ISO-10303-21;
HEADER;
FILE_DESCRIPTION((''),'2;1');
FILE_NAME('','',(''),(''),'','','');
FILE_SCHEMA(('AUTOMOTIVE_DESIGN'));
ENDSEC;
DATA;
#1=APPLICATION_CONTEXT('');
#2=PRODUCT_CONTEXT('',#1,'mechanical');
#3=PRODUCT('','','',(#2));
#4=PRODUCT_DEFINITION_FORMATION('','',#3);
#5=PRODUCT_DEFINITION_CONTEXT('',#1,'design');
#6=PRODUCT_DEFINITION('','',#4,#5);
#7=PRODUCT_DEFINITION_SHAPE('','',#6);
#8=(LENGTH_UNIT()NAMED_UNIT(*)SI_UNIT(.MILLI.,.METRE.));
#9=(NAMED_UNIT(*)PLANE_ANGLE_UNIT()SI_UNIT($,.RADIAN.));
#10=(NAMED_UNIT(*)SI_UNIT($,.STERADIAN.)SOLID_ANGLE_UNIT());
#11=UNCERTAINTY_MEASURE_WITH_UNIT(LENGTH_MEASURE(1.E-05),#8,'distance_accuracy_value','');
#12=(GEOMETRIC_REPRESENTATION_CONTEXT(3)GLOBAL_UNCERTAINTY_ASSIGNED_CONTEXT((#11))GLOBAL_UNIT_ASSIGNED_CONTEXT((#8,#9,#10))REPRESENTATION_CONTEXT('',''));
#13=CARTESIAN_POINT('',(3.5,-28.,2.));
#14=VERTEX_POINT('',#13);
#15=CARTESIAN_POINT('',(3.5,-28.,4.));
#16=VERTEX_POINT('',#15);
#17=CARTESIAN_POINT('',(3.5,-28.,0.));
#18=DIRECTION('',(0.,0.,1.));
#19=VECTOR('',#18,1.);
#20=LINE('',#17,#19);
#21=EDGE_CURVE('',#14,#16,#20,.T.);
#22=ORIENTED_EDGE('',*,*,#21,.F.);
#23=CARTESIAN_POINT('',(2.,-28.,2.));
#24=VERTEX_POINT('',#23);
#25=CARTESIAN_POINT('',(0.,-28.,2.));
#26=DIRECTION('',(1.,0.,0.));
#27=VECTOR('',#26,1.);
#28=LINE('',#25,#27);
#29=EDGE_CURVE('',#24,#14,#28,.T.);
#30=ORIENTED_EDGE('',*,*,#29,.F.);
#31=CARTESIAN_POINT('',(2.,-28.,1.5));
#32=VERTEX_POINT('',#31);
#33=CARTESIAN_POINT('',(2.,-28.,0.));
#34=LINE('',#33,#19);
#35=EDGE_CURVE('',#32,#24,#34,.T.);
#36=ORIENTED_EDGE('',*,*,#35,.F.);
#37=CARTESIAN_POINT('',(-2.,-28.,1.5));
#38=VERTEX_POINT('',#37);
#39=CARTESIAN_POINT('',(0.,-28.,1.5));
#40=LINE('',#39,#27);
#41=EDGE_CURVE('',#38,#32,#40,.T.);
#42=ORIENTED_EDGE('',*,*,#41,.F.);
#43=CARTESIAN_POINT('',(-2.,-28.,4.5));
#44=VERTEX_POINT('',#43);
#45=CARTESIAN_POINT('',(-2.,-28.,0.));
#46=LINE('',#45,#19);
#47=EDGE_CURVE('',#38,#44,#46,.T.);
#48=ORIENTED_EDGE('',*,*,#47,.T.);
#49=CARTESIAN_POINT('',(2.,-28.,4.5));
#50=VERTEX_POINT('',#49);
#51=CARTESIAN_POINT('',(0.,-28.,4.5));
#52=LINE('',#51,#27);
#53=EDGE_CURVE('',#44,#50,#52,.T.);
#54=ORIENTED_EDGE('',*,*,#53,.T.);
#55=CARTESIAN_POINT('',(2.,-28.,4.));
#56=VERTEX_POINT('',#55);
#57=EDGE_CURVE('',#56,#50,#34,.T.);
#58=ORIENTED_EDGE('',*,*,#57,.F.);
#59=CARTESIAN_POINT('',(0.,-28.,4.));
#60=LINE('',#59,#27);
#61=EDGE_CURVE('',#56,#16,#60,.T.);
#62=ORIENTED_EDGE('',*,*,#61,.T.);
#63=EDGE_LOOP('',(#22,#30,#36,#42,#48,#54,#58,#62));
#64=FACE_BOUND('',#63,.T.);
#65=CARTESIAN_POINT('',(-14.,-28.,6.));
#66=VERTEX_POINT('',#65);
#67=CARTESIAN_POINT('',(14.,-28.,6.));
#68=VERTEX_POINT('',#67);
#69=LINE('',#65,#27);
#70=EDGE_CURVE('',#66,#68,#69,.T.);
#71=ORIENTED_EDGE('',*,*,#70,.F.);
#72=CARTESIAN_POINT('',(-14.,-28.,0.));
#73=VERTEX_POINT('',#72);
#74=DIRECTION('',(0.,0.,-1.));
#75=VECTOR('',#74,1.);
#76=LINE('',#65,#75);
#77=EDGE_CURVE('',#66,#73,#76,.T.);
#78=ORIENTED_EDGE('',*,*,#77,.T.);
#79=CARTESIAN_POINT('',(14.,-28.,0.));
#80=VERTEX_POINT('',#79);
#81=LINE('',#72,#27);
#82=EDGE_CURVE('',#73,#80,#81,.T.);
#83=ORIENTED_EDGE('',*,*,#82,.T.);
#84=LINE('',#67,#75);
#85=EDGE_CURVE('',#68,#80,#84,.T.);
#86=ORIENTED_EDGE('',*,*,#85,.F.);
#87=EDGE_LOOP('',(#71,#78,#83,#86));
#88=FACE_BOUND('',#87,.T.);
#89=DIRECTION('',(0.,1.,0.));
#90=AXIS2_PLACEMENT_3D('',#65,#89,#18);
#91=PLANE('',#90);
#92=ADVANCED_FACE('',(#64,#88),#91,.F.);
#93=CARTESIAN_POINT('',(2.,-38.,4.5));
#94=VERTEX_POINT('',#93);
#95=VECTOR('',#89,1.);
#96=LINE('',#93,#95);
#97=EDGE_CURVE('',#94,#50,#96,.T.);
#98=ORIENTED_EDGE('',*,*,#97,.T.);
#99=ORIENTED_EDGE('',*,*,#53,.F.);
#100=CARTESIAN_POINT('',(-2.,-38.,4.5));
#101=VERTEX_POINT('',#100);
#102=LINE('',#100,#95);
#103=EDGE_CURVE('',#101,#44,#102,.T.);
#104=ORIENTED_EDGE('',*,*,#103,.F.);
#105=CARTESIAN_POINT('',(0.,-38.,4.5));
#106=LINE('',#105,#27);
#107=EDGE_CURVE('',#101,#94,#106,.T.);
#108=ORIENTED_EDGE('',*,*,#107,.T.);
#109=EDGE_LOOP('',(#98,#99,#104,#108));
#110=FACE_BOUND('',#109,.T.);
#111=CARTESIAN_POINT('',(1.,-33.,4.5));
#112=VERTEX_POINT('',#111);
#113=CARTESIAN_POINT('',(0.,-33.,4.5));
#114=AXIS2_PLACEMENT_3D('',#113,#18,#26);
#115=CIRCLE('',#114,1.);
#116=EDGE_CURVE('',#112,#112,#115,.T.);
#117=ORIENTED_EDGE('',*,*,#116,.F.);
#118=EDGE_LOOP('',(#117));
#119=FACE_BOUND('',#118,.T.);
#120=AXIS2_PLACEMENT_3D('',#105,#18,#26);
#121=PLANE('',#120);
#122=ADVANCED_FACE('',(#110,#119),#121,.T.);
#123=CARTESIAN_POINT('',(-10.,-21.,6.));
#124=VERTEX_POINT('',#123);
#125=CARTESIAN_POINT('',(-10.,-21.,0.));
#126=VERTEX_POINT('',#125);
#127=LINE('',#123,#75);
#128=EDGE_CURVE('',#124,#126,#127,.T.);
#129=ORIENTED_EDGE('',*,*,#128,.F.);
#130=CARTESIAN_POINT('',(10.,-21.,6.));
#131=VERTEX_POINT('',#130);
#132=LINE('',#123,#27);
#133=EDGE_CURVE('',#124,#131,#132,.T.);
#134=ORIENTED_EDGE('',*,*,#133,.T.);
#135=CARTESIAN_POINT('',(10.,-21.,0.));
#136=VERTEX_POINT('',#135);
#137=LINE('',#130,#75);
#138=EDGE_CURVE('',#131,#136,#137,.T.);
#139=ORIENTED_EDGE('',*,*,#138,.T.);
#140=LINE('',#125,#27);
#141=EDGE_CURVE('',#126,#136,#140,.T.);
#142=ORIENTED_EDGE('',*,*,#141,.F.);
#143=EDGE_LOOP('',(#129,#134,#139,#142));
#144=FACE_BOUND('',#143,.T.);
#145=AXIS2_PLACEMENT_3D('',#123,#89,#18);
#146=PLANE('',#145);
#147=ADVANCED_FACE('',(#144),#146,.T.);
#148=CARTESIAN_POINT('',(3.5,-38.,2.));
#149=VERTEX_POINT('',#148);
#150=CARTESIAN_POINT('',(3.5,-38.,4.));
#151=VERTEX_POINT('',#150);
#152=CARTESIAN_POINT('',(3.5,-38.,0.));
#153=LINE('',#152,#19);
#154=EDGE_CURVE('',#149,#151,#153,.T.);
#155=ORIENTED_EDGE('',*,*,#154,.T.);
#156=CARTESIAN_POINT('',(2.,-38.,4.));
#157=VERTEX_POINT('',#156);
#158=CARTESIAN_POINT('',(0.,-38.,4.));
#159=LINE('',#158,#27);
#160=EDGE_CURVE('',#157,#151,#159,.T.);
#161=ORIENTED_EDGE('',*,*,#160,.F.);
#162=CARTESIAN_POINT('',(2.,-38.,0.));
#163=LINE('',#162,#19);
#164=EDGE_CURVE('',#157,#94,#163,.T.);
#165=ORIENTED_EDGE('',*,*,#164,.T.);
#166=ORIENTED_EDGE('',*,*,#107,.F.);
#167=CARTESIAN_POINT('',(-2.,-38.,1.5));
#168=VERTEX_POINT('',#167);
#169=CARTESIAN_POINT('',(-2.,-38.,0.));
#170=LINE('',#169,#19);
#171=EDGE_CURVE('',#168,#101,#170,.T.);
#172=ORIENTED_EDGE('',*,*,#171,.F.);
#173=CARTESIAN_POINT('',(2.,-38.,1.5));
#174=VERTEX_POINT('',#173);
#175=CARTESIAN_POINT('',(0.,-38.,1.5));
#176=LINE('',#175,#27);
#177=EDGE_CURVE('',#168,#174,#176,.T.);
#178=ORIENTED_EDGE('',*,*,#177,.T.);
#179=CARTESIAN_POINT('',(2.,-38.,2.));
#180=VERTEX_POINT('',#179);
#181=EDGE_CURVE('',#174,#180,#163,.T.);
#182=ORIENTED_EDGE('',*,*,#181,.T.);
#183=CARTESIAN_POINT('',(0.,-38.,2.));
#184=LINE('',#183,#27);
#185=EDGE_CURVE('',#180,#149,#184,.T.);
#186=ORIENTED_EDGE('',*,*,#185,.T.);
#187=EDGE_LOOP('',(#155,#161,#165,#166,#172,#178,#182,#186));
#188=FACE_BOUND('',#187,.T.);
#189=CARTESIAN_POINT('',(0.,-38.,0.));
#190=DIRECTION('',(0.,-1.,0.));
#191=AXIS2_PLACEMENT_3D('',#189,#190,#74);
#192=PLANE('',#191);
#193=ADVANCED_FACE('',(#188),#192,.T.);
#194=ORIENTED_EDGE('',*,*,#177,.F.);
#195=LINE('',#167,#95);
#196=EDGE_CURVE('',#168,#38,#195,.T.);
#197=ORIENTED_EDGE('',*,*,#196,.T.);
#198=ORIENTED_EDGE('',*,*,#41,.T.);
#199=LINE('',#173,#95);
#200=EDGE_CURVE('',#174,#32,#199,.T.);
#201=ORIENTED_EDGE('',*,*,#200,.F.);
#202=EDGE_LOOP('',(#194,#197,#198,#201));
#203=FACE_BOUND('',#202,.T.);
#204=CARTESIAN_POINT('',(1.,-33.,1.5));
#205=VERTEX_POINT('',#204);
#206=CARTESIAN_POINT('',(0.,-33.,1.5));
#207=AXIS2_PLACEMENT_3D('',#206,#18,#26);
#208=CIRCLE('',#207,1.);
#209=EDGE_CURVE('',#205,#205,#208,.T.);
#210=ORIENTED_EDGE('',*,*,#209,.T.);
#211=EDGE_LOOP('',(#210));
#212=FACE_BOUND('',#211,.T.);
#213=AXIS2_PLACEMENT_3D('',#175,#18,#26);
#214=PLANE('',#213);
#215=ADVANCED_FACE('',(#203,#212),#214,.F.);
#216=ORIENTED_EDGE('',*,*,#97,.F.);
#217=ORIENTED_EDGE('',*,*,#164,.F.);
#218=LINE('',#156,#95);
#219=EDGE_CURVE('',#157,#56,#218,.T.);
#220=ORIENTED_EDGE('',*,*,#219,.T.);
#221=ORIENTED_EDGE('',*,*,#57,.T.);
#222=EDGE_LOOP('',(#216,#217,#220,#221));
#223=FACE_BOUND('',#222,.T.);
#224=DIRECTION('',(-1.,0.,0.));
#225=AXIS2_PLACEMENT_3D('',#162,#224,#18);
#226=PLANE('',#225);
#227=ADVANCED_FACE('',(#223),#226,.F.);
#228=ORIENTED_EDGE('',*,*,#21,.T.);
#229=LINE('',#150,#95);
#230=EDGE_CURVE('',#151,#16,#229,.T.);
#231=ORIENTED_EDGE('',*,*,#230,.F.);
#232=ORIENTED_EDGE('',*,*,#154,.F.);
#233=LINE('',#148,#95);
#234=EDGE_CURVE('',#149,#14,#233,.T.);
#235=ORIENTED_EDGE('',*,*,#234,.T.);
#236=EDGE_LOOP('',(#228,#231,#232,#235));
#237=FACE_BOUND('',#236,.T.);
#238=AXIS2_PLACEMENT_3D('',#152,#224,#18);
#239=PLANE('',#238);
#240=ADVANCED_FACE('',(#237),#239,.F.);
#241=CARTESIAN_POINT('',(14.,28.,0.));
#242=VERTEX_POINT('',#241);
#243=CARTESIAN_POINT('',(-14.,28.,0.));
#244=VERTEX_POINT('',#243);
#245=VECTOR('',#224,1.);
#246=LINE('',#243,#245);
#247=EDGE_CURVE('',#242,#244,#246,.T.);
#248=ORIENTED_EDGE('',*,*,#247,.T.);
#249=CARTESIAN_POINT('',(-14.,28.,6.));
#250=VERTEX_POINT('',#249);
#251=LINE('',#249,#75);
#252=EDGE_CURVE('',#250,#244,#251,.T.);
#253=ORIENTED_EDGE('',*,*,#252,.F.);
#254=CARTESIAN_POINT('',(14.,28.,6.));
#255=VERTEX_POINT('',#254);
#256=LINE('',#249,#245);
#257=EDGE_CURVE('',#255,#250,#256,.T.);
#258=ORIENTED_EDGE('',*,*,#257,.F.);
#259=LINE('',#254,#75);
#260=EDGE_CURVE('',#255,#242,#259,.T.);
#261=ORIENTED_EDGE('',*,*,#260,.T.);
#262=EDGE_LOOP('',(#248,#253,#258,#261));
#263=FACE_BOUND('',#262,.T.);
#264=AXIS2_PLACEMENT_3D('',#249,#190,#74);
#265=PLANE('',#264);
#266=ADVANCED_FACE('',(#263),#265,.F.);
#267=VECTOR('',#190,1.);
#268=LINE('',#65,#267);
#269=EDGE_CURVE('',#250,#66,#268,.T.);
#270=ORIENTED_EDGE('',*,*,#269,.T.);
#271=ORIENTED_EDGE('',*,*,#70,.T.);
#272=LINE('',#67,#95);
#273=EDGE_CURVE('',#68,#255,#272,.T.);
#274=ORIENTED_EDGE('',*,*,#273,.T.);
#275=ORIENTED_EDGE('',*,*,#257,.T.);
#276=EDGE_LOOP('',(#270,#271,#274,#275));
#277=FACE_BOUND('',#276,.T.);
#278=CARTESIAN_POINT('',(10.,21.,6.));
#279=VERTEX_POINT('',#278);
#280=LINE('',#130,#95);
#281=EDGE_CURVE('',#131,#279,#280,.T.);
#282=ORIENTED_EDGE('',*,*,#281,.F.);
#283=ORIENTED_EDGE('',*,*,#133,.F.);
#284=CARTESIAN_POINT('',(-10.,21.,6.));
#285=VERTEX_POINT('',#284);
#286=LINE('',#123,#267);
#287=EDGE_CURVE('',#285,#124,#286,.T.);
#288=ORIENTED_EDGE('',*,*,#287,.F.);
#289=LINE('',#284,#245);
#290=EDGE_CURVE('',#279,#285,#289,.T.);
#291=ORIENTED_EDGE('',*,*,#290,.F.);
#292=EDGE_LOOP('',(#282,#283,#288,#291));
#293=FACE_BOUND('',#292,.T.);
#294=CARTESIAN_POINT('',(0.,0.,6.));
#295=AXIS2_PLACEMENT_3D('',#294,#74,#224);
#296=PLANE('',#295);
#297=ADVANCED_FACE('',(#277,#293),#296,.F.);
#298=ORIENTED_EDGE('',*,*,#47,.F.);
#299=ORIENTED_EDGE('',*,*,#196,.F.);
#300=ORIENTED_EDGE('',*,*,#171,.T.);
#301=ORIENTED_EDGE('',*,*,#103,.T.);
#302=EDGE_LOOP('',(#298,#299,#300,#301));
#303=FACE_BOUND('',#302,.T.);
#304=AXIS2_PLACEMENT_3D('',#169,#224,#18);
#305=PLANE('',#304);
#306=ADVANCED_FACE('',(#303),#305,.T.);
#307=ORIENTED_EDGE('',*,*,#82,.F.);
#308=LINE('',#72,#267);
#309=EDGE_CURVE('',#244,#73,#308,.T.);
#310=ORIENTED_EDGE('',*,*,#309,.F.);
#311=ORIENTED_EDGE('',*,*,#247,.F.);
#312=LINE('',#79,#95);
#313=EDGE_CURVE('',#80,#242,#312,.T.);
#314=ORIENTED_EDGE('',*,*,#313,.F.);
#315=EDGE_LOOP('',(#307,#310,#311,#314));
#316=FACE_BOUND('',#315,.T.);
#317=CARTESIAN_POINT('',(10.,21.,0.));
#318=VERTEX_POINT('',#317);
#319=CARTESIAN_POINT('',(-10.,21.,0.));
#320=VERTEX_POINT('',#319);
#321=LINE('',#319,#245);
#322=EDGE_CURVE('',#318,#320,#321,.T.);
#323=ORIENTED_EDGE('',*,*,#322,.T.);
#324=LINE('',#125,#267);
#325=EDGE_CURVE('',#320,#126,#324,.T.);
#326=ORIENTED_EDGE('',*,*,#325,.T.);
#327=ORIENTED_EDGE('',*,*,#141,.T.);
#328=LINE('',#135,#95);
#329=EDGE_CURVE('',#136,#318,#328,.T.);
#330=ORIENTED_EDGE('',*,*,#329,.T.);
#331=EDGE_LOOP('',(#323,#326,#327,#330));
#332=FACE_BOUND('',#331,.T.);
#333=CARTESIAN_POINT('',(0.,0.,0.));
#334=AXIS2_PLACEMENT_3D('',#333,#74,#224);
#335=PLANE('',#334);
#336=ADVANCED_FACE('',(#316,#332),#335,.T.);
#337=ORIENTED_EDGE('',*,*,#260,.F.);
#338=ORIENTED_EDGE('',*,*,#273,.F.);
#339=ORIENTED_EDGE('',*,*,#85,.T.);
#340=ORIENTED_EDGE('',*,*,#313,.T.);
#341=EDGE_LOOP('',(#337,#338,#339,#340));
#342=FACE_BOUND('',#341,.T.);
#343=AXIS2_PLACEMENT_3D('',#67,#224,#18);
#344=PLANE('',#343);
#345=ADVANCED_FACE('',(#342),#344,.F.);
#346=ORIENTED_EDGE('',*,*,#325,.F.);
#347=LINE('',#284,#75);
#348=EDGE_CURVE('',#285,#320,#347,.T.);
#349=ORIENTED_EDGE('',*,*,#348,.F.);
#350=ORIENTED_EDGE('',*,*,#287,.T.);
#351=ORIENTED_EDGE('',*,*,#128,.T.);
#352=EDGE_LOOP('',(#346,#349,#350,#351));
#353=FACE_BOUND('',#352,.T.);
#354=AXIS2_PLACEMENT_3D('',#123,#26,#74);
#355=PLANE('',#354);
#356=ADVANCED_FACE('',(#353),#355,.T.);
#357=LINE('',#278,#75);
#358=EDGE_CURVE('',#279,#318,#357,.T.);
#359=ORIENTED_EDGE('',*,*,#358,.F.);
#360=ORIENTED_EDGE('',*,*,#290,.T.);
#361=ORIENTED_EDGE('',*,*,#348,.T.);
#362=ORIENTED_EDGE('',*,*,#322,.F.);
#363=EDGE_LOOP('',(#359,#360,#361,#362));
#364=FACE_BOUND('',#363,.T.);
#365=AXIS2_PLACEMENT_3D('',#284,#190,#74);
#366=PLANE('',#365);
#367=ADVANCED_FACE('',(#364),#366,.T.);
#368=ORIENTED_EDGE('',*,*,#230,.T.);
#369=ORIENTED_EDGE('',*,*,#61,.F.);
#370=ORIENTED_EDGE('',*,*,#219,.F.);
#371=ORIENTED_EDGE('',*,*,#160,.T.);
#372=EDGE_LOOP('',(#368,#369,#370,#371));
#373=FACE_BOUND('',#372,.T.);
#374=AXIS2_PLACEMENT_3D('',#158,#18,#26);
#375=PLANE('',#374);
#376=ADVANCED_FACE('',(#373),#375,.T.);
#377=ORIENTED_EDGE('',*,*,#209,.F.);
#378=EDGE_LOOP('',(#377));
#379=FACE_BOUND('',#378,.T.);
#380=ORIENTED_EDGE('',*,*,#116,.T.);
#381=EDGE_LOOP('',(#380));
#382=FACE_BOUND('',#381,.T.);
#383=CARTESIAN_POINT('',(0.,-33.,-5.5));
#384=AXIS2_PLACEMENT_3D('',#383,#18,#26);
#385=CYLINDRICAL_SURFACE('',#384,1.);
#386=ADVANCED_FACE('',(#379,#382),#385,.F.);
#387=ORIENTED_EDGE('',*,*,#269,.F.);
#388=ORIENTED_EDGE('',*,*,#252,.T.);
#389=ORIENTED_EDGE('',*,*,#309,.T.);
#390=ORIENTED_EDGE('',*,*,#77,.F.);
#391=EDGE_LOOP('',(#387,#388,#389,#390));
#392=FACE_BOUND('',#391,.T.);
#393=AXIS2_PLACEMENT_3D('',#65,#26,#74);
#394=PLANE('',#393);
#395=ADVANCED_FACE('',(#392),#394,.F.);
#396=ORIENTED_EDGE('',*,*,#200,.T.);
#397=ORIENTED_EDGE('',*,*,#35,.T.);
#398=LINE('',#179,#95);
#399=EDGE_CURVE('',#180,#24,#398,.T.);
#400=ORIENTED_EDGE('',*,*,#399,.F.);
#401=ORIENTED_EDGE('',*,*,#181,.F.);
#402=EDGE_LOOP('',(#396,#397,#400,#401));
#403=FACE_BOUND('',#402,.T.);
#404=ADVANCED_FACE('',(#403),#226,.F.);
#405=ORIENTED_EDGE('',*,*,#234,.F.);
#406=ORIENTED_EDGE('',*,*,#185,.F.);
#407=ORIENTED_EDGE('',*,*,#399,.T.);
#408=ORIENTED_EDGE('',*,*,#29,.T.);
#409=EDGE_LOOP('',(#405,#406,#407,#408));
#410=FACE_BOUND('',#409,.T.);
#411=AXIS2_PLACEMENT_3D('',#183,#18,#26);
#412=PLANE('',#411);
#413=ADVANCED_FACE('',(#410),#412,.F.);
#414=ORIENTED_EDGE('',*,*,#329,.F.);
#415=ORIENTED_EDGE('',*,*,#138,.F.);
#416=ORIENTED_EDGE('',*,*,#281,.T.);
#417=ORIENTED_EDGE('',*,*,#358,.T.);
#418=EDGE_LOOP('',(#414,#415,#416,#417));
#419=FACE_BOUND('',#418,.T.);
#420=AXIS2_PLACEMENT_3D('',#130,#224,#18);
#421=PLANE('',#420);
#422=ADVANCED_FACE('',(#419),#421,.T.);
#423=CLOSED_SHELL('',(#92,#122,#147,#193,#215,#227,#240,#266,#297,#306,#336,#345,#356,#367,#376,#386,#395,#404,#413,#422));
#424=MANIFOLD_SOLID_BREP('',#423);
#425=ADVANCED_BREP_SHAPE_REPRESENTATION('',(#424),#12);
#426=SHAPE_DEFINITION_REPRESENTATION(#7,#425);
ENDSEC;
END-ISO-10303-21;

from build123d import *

# Parameters (mm, degrees)
SKETCH1_W           = 28
SKETCH1_H           = 56
SKETCH1_W_2         = 20
SKETCH1_H_2         = 42
BOSS_EXTRUDE1_DEPTH = 6
SKETCH2_W           = 4
SKETCH2_H           = 3
SKETCH2_W_2         = 1.5
SKETCH2_H_2         = 2
BOSS_EXTRUDE2_DEPTH = 10
SKETCH3_R           = 1
CUT_EXTRUDE1_DEPTH  = 10


with BuildPart() as part:
    # Sketch1 → Boss-Extrude1 (new body)
    with BuildSketch(Plane.XY):
        Rectangle(SKETCH1_W, SKETCH1_H)
        Rectangle(SKETCH1_W_2, SKETCH1_H_2, mode=Mode.SUBTRACT)
    extrude(amount=BOSS_EXTRUDE1_DEPTH)

    # Sketch2 → Boss-Extrude2 (add)
    with BuildSketch(Plane.XZ.offset(28)):
        with Locations((0, 3)):
            Rectangle(SKETCH2_W, SKETCH2_H)
        with Locations((2.75, 3)):
            Rectangle(SKETCH2_W_2, SKETCH2_H_2)
    extrude(amount=BOSS_EXTRUDE2_DEPTH)

    # Sketch3 → Cut-Extrude1 (cut)
    with BuildSketch(Plane.XY.offset(4.5)):
        with Locations((0, -33)):
            Circle(SKETCH3_R)
    extrude(amount=-CUT_EXTRUDE1_DEPTH, mode=Mode.SUBTRACT)


solid = part.part
